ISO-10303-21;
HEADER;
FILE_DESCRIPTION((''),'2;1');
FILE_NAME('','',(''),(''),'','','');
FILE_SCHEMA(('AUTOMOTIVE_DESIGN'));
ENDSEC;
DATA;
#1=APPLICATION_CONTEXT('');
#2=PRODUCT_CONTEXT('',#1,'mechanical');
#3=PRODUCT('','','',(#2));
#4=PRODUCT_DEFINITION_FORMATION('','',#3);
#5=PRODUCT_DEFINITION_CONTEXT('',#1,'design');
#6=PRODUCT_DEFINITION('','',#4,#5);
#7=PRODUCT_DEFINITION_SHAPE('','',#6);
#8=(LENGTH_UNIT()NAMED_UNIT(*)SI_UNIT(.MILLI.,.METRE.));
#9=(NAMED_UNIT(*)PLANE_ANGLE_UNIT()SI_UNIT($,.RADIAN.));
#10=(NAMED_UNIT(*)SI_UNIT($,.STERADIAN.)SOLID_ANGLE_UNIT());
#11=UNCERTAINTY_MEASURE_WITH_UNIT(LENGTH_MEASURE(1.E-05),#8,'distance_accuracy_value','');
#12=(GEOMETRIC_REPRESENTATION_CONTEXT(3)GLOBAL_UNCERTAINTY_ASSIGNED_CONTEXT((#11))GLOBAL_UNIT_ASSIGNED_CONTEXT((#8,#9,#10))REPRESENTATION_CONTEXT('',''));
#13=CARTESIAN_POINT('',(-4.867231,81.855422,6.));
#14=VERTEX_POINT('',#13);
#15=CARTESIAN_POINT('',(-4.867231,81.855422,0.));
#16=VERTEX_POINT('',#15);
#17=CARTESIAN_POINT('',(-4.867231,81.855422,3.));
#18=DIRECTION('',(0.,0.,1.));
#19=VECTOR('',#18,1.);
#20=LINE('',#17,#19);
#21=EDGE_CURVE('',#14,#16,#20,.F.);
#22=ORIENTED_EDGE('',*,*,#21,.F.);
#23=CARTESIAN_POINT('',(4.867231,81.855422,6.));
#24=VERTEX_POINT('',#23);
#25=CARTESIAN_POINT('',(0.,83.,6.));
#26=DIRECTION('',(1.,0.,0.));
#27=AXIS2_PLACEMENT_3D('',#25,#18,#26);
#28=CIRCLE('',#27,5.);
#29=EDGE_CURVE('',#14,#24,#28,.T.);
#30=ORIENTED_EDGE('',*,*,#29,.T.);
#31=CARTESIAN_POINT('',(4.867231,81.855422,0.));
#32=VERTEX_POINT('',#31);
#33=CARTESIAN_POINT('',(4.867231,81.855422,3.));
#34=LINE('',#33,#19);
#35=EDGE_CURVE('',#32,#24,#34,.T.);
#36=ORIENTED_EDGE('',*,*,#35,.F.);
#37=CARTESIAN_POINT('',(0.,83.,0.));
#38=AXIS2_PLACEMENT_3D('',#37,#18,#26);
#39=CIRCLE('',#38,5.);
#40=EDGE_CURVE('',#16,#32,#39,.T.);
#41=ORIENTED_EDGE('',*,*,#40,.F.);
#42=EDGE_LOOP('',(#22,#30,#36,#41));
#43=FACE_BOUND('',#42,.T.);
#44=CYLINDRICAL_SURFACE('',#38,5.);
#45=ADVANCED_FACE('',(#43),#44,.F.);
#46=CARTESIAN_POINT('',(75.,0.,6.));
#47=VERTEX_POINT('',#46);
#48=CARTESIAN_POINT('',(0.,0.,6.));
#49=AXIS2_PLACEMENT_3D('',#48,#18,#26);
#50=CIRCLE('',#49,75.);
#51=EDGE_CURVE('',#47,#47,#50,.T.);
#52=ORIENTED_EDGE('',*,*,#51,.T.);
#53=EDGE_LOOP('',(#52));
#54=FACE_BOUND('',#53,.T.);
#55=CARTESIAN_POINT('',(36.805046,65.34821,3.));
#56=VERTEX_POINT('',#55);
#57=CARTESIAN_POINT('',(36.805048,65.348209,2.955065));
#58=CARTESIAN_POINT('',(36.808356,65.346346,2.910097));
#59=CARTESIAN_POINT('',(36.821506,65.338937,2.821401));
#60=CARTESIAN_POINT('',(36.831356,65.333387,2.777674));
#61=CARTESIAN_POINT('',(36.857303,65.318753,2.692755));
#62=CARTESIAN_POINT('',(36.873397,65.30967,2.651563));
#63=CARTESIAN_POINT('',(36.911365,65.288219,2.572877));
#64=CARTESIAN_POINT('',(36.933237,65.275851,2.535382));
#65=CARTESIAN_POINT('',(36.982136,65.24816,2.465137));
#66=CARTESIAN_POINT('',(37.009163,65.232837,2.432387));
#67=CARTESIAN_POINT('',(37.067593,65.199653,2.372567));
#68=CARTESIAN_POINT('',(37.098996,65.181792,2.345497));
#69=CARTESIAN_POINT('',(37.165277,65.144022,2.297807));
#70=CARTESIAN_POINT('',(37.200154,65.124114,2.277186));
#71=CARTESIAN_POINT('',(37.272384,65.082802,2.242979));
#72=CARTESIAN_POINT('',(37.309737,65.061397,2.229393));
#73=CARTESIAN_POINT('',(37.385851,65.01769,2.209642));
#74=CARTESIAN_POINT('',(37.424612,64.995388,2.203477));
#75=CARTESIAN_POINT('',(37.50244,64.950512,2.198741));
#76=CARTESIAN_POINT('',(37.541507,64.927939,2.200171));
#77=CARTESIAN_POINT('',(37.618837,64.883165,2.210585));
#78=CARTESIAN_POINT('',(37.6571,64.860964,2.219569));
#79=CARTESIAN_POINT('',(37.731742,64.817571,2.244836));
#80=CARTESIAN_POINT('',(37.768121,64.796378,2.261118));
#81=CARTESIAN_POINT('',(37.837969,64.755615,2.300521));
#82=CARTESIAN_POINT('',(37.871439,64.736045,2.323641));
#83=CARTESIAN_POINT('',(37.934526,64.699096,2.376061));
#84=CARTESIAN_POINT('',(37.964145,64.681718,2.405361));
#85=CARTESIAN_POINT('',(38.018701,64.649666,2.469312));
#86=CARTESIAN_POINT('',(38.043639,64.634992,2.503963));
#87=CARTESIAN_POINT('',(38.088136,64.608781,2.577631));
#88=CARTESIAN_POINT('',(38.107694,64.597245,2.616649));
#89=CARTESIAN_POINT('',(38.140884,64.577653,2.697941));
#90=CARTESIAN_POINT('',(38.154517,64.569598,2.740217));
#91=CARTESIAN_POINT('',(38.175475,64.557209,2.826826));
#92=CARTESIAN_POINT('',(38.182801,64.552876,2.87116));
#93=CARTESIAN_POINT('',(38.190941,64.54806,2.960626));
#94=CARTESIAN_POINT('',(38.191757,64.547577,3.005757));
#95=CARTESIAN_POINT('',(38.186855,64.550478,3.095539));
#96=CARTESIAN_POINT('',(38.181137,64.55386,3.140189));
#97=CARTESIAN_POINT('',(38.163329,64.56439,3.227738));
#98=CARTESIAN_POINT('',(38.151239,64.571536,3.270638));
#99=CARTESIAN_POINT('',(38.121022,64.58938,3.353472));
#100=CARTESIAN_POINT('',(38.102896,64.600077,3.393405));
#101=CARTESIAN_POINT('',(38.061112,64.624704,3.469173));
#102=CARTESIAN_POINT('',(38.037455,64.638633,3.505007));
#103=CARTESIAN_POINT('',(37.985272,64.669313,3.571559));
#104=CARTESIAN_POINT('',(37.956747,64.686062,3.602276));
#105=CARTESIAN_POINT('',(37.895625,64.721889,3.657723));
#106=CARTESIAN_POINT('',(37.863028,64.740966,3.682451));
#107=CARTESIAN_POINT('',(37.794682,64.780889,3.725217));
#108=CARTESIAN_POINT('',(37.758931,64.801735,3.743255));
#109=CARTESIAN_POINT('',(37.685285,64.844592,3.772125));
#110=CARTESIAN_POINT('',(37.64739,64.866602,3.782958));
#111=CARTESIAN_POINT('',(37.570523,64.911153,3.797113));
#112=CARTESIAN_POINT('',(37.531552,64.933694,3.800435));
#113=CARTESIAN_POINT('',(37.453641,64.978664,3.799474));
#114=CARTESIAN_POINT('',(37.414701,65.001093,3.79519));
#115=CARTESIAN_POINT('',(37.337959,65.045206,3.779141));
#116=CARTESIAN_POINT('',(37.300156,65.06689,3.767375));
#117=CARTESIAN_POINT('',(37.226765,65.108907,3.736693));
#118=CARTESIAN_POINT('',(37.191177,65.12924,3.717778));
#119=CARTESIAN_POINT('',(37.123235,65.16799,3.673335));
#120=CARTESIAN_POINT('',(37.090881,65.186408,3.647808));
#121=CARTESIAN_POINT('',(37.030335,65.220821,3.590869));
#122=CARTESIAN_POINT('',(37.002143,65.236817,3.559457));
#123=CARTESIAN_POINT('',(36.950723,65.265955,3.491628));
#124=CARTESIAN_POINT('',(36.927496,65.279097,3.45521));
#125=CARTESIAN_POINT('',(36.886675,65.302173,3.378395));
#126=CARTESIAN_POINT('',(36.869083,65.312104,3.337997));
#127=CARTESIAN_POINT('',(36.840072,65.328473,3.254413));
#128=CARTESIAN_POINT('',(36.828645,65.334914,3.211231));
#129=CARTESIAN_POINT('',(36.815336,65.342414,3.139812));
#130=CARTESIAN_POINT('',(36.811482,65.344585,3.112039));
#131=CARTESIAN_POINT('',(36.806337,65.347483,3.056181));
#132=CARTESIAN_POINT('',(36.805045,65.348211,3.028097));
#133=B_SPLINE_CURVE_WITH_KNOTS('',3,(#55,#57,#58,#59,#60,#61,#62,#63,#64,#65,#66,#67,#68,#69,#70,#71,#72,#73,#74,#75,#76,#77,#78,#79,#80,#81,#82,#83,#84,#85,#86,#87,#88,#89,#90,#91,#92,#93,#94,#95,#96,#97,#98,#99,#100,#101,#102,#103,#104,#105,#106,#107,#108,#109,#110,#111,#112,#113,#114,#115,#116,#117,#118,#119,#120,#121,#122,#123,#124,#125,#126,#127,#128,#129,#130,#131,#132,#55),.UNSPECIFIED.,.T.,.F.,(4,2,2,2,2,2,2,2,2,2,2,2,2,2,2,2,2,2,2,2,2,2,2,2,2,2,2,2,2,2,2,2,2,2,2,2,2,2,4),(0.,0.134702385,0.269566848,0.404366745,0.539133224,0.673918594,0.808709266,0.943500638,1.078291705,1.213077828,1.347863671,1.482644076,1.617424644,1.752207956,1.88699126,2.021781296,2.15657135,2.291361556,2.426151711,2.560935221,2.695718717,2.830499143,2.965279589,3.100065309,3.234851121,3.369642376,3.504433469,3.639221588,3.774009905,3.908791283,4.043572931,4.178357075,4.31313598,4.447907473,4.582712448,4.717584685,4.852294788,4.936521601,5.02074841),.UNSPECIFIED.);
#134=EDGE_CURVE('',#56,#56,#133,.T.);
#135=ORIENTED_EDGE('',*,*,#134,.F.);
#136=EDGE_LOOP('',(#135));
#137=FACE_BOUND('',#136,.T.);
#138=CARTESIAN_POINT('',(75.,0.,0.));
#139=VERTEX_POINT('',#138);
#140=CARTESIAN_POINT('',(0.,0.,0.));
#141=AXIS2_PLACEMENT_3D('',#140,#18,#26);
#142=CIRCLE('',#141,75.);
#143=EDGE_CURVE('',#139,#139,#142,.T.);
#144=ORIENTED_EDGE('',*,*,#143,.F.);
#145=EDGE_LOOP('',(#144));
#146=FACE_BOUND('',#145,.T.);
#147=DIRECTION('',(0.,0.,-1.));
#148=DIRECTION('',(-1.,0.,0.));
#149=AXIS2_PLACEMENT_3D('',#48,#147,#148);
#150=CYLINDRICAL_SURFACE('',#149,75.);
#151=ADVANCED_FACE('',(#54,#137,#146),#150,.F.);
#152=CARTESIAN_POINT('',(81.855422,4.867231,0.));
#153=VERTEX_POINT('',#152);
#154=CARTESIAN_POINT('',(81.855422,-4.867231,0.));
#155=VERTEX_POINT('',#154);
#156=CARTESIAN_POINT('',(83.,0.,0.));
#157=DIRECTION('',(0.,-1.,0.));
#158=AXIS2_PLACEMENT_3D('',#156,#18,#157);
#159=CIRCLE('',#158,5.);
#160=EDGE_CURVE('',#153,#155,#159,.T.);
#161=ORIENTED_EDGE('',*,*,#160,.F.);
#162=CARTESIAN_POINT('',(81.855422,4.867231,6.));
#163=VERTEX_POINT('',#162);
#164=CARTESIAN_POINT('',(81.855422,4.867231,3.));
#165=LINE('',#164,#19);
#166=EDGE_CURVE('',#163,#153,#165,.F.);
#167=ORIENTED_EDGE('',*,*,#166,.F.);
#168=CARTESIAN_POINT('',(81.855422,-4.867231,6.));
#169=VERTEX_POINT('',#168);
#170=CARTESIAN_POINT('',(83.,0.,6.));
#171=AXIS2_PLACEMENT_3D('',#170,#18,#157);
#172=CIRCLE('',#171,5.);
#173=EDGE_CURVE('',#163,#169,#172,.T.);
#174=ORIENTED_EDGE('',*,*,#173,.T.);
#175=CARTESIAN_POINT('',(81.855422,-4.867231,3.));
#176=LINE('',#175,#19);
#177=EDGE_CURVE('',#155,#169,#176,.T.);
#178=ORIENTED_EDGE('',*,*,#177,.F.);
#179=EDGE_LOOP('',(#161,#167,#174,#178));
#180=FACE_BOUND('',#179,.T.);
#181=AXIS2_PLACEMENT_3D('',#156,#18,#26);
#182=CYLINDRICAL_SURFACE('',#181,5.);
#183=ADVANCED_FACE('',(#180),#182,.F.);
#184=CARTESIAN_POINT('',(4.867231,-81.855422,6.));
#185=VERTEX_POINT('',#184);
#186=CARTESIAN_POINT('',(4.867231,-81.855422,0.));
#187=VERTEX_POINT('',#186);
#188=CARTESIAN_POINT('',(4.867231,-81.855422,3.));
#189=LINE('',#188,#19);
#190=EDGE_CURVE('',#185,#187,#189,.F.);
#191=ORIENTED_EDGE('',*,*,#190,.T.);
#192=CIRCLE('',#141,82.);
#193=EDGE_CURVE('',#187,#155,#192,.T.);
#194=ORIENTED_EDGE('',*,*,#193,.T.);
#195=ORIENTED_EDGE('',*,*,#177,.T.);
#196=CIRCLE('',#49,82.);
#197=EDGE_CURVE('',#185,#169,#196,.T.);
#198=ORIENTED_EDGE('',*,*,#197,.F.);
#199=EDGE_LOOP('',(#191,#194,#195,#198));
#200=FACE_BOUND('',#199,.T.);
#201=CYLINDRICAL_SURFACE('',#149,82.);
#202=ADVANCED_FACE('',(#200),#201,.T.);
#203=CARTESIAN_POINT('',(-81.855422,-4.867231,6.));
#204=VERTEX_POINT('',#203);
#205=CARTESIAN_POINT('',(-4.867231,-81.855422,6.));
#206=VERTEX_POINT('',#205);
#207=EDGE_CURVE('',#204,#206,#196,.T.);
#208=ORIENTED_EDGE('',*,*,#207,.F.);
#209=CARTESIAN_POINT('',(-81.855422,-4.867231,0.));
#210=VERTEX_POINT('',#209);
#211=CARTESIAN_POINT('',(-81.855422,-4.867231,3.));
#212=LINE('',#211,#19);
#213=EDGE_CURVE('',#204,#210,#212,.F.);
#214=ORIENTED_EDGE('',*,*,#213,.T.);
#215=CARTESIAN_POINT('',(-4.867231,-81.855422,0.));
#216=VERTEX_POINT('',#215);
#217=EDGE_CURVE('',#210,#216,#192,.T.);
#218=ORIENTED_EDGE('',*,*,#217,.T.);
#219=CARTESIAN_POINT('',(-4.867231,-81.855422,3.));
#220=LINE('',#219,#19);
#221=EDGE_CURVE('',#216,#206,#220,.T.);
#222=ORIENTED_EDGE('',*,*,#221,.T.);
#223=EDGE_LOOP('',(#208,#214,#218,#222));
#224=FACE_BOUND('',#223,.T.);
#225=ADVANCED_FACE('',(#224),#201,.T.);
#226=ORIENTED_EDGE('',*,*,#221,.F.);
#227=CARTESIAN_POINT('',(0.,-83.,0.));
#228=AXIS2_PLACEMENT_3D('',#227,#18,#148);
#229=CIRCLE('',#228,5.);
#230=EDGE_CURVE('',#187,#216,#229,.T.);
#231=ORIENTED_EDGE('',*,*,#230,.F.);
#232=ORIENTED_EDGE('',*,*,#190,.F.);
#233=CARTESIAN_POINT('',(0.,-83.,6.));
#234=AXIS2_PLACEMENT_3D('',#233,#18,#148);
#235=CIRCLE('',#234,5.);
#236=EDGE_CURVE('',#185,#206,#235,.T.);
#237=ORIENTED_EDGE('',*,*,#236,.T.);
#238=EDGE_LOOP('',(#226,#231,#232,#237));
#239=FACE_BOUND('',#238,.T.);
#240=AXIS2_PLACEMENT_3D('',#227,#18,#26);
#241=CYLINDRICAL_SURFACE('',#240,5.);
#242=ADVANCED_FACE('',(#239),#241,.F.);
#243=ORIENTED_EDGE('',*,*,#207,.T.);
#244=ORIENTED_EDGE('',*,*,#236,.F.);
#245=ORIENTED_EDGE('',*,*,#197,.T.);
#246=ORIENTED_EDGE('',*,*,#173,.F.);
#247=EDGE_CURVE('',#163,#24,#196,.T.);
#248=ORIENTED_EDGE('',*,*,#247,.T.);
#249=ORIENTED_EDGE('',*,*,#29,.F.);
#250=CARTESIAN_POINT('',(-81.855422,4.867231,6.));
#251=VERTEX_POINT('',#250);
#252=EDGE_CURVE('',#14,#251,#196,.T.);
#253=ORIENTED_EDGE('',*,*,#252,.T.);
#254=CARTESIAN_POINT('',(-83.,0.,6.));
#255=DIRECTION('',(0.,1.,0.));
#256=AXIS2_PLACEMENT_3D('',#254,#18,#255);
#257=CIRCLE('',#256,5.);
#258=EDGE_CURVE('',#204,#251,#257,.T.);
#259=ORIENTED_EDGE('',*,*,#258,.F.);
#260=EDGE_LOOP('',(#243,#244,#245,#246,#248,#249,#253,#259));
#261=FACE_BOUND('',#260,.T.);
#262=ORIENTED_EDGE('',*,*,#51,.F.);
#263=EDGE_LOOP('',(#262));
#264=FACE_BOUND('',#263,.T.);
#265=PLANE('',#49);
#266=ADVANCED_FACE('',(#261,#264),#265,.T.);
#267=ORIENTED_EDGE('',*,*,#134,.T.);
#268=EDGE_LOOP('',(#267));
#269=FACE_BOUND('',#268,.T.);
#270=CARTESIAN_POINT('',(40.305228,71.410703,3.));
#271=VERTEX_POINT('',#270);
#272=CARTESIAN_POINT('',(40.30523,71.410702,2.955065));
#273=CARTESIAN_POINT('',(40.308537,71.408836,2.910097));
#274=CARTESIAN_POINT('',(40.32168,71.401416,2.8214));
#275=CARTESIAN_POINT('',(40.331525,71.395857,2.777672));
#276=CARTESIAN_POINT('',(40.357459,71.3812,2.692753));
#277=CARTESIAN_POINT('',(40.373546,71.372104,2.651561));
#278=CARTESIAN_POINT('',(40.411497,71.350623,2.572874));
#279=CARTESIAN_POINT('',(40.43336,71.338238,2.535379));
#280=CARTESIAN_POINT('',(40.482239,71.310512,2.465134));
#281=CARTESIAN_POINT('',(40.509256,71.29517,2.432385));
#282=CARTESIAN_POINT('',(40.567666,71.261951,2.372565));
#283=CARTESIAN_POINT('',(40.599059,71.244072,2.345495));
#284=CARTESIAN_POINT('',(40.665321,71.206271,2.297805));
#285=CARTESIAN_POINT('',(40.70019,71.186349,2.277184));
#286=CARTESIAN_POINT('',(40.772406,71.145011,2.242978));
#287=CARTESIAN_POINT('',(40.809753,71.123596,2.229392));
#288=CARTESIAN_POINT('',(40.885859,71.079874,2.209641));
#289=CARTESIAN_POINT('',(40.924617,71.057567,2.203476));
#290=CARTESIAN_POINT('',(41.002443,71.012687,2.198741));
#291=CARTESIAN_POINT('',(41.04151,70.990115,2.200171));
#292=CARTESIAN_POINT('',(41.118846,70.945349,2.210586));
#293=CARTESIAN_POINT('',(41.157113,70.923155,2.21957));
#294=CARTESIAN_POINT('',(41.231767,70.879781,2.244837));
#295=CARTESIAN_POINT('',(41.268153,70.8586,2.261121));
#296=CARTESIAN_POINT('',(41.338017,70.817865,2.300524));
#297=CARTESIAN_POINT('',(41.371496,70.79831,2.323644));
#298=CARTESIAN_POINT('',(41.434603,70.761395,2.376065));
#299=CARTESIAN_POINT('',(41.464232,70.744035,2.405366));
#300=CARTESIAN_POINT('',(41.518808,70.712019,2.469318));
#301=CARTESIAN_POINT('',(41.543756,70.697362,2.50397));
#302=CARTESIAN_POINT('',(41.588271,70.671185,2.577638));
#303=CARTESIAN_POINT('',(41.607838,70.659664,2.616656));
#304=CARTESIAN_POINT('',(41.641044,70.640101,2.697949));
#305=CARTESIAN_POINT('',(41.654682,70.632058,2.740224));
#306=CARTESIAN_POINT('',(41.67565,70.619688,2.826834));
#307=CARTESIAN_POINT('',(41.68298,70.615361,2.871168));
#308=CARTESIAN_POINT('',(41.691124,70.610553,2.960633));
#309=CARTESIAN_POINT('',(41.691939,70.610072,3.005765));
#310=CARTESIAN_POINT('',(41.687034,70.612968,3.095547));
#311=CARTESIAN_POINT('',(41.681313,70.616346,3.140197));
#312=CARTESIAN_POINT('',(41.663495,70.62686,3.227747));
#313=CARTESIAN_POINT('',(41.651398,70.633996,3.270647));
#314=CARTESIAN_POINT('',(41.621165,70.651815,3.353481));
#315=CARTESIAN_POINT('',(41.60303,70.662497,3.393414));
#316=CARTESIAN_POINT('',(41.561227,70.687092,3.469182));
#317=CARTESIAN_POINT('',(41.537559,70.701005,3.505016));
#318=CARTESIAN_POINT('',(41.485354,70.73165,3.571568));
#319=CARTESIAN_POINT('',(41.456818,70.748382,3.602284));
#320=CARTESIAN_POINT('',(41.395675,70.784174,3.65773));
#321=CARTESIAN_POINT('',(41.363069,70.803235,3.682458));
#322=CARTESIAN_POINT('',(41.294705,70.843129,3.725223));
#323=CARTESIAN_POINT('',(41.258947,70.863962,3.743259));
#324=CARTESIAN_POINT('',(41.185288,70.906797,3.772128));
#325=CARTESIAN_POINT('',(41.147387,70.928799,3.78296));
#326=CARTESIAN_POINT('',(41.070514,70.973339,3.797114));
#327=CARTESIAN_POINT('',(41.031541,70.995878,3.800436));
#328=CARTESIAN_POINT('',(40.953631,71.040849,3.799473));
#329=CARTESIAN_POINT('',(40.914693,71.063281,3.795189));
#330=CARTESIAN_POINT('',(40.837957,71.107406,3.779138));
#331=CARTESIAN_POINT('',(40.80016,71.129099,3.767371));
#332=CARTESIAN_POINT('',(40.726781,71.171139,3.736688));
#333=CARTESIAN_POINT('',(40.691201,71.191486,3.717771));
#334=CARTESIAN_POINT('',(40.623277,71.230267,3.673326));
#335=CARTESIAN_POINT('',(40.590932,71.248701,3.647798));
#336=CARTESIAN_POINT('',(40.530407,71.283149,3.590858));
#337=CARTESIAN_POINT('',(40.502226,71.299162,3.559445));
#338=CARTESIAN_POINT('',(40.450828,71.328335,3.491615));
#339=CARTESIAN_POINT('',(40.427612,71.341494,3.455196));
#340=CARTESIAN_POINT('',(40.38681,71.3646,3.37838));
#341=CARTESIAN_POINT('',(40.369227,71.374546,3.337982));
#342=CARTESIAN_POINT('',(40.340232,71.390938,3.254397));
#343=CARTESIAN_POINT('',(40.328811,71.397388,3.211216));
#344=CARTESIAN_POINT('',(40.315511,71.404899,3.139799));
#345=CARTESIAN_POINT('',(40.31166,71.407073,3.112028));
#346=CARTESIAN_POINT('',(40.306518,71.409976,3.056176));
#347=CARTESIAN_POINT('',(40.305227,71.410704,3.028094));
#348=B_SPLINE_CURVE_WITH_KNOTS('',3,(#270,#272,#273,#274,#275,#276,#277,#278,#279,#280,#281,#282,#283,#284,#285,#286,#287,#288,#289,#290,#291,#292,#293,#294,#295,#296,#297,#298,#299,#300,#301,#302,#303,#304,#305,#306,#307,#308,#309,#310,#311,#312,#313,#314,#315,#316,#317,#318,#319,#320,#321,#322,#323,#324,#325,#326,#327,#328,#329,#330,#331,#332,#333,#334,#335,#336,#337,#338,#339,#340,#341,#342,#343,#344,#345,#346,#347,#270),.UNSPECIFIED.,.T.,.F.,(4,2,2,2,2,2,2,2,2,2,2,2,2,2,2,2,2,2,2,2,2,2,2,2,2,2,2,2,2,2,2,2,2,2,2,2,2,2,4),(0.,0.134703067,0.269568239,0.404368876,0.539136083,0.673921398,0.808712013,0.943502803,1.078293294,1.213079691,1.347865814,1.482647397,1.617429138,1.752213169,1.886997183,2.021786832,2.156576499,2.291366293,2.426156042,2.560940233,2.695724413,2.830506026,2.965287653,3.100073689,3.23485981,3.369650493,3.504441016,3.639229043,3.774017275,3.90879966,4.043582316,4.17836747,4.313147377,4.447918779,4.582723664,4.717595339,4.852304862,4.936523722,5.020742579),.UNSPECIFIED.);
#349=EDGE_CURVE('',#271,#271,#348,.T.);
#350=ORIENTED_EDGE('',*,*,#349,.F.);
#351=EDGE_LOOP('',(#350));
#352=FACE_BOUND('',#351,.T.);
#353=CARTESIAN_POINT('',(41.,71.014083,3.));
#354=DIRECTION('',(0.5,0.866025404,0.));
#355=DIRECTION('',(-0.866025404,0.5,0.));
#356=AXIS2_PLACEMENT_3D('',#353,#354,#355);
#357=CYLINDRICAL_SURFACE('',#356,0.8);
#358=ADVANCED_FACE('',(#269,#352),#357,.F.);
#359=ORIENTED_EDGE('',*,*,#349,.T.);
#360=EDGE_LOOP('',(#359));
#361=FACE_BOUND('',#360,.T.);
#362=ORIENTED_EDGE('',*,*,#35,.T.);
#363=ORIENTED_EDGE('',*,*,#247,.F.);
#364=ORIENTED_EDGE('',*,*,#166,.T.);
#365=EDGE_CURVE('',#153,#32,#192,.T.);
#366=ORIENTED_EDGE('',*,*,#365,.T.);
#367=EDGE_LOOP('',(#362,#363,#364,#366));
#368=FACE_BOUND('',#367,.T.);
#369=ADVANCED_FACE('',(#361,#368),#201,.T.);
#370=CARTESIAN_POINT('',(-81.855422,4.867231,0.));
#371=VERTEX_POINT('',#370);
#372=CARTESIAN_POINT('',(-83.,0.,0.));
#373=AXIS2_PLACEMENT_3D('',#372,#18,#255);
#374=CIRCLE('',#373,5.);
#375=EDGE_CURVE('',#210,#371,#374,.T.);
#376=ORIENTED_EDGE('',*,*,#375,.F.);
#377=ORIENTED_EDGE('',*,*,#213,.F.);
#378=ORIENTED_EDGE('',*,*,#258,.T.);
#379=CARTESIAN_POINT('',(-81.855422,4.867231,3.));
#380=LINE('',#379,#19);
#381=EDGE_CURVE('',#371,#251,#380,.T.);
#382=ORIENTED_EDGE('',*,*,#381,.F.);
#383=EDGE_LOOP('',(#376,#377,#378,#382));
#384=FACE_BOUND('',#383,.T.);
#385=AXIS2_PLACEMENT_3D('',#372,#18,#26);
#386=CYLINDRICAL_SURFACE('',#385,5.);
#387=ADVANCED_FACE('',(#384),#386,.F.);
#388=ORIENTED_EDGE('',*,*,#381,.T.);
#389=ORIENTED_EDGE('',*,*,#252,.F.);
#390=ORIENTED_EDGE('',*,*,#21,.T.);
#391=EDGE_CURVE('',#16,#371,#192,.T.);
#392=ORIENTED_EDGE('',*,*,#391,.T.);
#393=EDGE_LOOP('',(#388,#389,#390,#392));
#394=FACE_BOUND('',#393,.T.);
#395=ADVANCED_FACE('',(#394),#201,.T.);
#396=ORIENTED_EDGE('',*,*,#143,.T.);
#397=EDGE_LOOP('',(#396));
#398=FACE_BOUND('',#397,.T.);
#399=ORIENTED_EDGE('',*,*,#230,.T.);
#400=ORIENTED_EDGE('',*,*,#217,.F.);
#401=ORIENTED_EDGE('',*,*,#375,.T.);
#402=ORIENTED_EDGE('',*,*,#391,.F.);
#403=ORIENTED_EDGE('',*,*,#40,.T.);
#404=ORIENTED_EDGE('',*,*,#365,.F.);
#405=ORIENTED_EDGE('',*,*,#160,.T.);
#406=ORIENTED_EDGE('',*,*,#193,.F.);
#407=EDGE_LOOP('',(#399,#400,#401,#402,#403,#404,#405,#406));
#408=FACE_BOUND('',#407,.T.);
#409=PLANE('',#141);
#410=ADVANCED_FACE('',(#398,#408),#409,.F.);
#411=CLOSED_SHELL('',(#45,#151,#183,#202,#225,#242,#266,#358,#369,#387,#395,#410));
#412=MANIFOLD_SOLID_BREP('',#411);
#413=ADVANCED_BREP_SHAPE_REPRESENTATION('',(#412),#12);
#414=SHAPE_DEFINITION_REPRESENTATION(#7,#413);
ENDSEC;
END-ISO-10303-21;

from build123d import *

# Parameters (mm, degrees)
SKETCH1_R                 = 82
SKETCH1_R_2               = 75
BOSS_EXTRUDE1_DEPTH       = 6
SKETCH2_R                 = 5
CUT_EXTRUDE1_DEPTH        = 117.120626936
CIRPATTERN1_COUNT         = 4
M2X0_4_TAPPED_HOLE1_D     = 1.6
M2X0_4_TAPPED_HOLE1_DEPTH = 10
M2X0_4_TAPPED_HOLE1_TIP   = 0.480688495


with BuildPart() as part:
    # Sketch1 → Boss-Extrude1 (new body)
    with BuildSketch(Plane.XY):
        Circle(SKETCH1_R)
        Circle(SKETCH1_R_2, mode=Mode.SUBTRACT)
    extrude(amount=BOSS_EXTRUDE1_DEPTH)

    # Sketch2 → Cut-Extrude1 (cut, through all)
    with BuildSketch(Plane.XY.offset(6)):
        with Locations((0, 83)):
            Circle(SKETCH2_R)
    cut_extrude1 = extrude(amount=-CUT_EXTRUDE1_DEPTH, mode=Mode.SUBTRACT)

    # CirPattern1: Cut-Extrude1 ×4 about axis
    cirpattern1_axis = Axis((0, 0, 0), (0, 0, 1))
    for i in range(1, CIRPATTERN1_COUNT):
        add(cut_extrude1.rotate(cirpattern1_axis, i * 360 / CIRPATTERN1_COUNT), mode=Mode.SUBTRACT)

    # M2x0.4 Tapped Hole1
    with Locations(Plane(origin=(41, 71.01408311, 3), x_dir=(0.866025403784, -0.5, 0), z_dir=(0.5, 0.866025403784, 0))):
        with Locations((0, 0)):
            Hole(M2X0_4_TAPPED_HOLE1_D / 2, depth=M2X0_4_TAPPED_HOLE1_DEPTH)
            with Locations((0, 0, -(M2X0_4_TAPPED_HOLE1_DEPTH + M2X0_4_TAPPED_HOLE1_TIP / 2))):  # 118° drill point
                Cone(0, M2X0_4_TAPPED_HOLE1_D / 2, M2X0_4_TAPPED_HOLE1_TIP, mode=Mode.SUBTRACT)


solid = part.part
